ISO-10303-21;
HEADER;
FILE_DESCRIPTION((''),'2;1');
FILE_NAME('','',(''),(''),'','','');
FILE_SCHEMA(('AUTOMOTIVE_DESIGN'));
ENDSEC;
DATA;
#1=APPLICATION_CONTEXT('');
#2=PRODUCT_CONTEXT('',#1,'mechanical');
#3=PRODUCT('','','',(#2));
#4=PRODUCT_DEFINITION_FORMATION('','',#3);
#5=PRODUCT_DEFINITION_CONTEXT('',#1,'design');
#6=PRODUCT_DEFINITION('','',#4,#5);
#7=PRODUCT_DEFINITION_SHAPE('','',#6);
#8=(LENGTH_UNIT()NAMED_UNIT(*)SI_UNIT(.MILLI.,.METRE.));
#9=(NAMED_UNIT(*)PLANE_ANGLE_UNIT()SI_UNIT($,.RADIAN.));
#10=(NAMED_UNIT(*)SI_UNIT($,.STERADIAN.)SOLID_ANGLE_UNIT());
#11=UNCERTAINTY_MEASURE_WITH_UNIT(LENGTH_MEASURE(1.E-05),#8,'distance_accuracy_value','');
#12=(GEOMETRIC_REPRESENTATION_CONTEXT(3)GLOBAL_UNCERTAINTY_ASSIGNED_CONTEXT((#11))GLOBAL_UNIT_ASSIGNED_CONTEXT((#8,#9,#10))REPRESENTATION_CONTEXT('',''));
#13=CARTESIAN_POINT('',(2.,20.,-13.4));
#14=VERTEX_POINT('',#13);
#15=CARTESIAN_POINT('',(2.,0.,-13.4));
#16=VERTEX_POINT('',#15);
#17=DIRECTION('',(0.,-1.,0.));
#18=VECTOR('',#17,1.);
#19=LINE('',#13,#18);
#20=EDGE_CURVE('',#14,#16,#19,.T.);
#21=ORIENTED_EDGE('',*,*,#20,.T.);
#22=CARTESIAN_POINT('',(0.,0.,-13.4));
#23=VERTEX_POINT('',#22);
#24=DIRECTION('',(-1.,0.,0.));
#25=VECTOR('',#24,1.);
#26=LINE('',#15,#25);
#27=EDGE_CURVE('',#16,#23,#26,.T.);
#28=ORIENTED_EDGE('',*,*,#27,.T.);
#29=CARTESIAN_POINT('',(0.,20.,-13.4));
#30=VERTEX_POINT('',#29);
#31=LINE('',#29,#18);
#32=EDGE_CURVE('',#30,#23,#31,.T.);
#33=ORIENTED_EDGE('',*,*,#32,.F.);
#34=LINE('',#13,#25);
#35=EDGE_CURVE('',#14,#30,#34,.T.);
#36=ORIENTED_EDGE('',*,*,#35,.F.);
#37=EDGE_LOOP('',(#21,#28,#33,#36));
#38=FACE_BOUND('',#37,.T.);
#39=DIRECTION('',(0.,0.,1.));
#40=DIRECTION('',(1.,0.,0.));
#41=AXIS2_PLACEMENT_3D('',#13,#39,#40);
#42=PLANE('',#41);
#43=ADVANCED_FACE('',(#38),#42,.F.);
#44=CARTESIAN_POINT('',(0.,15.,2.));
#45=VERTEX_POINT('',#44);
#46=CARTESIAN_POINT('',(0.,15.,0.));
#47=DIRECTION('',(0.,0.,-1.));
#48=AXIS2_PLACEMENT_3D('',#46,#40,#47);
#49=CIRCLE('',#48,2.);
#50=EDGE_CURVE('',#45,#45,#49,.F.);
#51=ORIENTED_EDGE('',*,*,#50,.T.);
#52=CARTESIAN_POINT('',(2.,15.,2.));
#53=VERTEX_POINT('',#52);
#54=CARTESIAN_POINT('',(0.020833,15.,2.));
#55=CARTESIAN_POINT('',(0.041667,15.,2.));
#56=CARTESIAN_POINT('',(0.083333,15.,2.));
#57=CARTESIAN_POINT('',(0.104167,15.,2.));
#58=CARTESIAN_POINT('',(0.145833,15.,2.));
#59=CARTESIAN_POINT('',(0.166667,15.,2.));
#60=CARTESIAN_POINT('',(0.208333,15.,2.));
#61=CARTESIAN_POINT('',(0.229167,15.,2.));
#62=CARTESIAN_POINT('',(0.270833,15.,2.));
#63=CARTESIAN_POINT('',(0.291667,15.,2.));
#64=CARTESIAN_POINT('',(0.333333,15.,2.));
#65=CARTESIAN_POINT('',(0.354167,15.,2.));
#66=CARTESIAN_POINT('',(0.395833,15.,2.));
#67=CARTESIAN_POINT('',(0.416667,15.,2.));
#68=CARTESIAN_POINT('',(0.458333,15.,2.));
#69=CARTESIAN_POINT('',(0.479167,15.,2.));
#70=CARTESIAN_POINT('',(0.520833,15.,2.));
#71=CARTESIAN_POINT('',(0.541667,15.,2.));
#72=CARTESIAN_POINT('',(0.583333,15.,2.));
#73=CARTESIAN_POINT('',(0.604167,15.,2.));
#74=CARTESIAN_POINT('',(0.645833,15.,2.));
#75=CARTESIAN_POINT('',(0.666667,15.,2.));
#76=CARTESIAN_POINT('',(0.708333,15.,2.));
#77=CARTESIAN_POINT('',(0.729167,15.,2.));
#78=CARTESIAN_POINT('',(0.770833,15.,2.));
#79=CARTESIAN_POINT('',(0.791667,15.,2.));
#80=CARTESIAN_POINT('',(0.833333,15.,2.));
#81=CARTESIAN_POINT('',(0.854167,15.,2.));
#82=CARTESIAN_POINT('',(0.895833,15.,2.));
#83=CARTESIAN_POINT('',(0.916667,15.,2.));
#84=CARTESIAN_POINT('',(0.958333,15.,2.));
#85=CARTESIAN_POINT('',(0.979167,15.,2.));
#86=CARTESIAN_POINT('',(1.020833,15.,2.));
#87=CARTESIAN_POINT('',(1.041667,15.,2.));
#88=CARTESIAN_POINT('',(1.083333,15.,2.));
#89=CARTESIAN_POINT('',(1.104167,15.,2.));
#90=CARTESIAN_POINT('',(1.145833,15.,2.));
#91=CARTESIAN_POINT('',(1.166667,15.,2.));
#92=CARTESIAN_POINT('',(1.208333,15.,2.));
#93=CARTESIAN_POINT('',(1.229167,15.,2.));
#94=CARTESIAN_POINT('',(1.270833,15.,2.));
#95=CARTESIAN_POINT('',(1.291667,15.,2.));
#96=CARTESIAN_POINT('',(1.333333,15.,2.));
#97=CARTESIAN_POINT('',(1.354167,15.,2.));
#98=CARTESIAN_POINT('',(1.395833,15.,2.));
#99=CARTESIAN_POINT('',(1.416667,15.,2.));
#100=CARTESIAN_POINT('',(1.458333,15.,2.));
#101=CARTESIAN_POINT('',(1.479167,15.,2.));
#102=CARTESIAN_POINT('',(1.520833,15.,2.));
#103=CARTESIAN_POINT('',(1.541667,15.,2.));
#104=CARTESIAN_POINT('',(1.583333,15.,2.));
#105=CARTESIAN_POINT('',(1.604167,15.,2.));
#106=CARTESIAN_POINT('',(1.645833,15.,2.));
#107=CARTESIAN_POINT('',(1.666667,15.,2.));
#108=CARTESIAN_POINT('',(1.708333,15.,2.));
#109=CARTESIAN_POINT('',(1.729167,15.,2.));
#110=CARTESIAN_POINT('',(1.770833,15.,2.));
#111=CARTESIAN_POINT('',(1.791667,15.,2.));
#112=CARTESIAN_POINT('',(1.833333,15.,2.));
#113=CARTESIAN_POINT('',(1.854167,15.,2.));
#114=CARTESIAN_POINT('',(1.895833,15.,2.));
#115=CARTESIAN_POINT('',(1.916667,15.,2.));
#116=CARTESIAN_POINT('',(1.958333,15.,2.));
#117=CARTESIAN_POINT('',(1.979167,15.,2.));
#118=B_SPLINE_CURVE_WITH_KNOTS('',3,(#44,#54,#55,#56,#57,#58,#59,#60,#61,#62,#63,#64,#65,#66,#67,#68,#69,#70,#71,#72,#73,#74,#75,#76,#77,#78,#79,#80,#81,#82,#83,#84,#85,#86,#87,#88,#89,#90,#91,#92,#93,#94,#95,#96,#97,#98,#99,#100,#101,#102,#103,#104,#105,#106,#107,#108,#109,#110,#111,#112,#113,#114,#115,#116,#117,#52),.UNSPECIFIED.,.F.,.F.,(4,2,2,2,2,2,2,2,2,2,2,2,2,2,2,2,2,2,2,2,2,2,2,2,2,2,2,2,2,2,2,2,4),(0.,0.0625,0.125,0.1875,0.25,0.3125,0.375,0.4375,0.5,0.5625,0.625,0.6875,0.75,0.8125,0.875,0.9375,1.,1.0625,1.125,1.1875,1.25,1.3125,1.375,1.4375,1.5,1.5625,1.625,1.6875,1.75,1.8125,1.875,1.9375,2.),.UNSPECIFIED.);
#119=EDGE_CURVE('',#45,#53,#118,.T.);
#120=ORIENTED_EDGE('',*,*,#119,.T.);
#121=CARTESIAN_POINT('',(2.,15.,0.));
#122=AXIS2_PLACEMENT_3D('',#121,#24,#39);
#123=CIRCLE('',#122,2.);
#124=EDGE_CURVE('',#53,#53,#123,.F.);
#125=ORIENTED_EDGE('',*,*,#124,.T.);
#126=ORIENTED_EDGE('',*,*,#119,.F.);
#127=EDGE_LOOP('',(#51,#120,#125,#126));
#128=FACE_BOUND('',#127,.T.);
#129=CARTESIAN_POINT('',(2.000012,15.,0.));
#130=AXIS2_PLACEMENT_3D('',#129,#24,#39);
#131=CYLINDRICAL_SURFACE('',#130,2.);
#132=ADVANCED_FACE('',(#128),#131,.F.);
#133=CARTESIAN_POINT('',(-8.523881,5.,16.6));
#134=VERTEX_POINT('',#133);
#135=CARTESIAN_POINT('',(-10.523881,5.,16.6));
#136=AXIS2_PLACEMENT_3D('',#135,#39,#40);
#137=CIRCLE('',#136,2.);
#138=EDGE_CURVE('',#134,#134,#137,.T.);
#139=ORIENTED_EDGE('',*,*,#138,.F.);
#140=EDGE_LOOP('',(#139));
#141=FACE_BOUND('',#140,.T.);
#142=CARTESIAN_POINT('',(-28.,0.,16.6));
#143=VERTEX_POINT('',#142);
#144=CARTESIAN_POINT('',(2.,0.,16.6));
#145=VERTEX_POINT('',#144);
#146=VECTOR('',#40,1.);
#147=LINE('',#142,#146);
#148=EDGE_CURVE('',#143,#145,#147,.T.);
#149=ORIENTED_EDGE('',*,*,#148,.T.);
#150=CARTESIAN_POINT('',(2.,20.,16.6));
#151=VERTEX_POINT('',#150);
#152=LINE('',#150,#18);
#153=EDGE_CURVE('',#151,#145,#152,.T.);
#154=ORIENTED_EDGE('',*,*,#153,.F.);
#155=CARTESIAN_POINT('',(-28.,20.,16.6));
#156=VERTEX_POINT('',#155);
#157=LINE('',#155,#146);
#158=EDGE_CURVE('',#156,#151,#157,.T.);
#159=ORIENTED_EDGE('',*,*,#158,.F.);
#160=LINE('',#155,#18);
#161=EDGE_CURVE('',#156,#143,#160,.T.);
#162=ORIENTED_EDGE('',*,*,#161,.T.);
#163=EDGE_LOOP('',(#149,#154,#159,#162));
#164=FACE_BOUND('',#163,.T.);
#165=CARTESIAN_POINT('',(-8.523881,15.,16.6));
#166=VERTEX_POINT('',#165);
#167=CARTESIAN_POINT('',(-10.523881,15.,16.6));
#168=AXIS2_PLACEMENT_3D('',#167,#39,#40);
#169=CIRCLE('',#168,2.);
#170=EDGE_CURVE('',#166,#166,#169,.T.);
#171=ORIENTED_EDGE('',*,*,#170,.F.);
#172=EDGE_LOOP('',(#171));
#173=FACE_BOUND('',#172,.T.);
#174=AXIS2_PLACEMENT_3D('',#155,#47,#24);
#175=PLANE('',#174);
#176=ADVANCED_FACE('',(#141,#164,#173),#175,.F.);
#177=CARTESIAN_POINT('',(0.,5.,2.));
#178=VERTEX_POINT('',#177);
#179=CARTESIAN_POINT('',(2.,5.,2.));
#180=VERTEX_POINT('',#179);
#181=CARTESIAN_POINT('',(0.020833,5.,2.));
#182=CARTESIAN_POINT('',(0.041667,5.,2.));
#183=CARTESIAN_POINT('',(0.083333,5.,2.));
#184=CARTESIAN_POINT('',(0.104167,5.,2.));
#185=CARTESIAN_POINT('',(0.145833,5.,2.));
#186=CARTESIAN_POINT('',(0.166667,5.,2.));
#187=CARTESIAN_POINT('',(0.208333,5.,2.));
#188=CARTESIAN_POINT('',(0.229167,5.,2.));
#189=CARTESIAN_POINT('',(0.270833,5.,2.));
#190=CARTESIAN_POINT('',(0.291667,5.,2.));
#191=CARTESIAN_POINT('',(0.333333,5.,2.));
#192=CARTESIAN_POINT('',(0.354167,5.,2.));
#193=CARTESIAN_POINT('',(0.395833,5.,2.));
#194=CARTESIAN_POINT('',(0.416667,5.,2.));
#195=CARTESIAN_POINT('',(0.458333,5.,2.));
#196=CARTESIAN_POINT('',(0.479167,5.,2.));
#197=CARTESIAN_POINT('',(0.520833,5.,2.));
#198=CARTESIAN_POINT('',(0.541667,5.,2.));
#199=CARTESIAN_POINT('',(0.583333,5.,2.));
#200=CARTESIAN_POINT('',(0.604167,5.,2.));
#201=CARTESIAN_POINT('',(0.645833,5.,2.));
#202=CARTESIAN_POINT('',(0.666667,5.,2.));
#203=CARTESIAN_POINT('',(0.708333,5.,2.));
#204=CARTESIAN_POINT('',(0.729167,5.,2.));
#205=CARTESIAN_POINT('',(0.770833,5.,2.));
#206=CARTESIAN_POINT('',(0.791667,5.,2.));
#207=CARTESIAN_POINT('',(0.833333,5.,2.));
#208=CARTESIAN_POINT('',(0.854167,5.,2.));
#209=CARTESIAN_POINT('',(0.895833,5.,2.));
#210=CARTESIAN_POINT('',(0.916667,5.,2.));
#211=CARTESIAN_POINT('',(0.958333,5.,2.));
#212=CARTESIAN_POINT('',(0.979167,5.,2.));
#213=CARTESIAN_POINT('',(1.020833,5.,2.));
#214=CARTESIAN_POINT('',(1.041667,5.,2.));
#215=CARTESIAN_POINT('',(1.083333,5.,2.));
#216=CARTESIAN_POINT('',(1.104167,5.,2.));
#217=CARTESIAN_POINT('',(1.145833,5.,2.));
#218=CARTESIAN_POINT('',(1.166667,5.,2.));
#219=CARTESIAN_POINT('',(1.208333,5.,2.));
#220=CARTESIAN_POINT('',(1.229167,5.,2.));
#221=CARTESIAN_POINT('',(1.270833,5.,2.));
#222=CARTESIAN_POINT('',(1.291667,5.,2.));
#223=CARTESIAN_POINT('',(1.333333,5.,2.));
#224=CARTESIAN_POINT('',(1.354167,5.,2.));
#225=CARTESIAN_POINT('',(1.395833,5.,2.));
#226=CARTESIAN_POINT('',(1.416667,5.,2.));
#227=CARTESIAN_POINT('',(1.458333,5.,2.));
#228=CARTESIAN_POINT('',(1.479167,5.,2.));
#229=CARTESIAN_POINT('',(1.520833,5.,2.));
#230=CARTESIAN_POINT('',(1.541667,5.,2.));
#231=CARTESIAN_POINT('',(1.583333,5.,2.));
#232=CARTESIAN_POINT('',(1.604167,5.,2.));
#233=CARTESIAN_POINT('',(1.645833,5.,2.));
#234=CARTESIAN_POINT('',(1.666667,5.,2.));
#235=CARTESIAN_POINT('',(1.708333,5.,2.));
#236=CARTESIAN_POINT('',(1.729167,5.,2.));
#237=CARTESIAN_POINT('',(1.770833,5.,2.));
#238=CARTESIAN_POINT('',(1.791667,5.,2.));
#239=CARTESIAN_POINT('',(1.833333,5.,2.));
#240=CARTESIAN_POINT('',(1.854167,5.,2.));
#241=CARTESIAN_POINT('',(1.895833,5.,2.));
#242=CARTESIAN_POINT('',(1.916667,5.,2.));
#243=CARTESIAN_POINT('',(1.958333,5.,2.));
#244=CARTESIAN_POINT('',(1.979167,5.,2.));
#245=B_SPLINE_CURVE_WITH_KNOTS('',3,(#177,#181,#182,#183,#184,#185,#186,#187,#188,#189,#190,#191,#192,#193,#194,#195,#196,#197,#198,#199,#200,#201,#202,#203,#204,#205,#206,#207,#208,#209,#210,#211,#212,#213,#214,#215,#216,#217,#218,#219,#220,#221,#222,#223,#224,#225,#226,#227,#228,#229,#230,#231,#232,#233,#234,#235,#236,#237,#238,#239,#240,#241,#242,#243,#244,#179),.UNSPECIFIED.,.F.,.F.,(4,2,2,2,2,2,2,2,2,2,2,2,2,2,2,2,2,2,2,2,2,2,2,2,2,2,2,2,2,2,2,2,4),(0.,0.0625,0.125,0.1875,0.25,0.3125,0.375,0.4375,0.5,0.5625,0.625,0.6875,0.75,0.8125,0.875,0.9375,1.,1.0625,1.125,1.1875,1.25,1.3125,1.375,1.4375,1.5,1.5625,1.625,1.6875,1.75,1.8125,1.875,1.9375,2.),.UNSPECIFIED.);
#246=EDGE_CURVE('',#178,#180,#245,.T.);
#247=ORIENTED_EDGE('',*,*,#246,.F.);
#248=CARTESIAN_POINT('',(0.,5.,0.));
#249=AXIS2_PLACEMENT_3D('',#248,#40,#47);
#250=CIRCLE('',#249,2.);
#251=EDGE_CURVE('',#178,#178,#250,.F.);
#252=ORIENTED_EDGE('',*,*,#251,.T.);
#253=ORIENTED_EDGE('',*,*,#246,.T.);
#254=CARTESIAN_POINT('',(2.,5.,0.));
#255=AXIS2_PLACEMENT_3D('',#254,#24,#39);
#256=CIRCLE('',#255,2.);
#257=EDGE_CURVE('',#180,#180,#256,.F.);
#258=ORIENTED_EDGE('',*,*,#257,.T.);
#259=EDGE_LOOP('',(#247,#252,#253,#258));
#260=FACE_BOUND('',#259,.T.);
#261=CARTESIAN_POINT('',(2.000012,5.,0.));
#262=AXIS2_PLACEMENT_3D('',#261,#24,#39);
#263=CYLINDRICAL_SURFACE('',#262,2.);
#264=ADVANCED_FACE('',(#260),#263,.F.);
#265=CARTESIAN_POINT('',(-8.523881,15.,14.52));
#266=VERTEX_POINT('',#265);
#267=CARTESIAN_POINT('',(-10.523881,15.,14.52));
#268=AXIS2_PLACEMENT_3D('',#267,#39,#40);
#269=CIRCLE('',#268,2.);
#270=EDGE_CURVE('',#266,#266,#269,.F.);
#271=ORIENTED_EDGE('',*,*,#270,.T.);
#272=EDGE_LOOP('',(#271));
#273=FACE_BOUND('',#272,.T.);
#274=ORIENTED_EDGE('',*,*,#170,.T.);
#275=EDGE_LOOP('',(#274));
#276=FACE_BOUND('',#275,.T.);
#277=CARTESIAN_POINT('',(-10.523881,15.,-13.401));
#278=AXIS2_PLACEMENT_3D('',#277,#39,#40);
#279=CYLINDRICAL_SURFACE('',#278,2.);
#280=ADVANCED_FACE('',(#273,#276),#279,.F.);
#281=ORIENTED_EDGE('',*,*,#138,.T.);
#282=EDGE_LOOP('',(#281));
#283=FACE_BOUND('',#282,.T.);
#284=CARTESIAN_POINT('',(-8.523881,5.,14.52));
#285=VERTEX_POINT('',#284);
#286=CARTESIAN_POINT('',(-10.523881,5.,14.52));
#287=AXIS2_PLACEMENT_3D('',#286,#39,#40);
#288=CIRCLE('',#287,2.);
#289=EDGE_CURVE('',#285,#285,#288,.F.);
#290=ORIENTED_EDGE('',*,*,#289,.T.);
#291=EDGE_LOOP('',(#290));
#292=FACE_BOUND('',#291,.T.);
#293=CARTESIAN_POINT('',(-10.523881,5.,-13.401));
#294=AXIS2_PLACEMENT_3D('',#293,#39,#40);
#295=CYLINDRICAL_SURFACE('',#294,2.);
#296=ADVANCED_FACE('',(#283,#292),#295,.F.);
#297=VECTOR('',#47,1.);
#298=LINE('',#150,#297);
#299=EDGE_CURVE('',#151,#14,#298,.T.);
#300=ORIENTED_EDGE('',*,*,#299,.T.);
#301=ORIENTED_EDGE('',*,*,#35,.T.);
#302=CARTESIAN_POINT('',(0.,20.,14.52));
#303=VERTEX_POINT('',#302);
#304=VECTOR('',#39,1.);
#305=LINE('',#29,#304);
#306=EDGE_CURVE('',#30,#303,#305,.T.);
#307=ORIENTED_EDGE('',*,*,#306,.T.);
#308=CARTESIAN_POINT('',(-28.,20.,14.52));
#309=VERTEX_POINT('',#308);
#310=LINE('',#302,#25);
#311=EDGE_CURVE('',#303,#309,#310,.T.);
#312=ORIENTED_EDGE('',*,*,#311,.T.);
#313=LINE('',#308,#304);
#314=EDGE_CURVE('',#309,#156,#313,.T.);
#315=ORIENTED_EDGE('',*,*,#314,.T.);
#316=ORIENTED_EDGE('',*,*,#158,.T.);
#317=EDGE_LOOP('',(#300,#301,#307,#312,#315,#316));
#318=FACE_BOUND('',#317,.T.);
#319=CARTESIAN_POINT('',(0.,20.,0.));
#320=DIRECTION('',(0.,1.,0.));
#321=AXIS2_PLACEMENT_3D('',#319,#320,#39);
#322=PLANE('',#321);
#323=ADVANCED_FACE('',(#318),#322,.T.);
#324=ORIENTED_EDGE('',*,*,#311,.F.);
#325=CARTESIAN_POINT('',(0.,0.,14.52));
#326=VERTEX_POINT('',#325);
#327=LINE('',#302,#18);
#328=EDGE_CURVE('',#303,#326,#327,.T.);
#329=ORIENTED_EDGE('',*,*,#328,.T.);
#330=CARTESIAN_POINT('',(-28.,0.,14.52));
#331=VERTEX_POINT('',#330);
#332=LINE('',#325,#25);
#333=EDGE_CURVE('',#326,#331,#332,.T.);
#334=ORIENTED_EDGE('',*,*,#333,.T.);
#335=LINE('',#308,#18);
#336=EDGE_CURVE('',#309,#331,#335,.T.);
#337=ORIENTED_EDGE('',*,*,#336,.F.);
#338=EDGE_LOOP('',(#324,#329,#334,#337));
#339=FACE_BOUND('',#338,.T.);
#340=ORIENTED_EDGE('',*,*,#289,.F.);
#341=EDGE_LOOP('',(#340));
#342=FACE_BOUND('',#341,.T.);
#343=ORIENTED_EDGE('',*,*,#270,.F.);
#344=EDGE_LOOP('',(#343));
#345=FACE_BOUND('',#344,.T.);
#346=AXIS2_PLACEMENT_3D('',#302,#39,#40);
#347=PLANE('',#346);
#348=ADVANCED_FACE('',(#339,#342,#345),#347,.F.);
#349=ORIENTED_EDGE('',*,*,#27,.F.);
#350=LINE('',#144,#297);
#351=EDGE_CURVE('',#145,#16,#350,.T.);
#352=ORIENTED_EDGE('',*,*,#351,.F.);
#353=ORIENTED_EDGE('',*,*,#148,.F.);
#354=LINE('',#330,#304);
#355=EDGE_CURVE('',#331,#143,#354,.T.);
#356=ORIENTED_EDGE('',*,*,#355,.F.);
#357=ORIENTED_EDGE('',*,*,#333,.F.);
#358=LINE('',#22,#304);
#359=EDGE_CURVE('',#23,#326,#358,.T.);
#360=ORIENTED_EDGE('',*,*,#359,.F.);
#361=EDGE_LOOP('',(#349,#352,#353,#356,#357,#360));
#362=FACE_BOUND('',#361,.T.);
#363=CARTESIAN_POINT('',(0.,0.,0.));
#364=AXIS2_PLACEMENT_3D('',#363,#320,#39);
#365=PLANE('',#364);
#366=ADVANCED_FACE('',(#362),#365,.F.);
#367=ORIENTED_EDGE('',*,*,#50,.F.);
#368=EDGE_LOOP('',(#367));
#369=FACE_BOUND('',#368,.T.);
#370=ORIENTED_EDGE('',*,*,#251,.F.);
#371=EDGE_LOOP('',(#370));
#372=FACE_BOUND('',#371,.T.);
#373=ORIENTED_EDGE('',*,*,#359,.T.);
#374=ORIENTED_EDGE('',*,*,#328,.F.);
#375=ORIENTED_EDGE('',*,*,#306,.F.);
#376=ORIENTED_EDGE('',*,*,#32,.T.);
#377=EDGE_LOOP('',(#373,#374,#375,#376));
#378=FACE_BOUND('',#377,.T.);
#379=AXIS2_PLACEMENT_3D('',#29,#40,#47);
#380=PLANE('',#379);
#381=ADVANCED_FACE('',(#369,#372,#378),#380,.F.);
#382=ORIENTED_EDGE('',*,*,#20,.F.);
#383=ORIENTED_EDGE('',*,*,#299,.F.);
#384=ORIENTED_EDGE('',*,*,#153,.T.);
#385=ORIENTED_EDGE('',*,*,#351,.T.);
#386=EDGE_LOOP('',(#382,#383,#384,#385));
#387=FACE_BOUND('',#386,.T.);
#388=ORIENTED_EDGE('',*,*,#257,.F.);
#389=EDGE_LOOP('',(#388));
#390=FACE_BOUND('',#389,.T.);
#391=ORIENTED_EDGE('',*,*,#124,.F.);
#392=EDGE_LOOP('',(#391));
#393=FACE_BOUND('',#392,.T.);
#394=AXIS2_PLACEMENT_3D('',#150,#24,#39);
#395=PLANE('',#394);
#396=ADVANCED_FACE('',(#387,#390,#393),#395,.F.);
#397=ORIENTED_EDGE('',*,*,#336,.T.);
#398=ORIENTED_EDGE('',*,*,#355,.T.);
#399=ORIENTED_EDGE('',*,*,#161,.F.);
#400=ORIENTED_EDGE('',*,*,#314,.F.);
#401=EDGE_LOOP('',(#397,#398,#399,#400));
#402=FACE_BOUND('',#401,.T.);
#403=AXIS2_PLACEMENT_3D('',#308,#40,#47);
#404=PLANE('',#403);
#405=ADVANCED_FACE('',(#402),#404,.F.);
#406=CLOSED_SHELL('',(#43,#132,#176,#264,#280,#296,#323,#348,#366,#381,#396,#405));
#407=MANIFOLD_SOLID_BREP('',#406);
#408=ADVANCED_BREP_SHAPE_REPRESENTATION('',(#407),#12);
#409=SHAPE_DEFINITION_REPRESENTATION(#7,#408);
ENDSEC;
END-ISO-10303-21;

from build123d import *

# Parameters (mm, degrees)
BOSS_EXTRUDE1_DEPTH            = 20
CUT_EXTRUDE4_REACH             = 41.693
SKETCH2_R                      = 2
CUT_EXTRUDE4_DIRECTION_2_DEPTH = 40.693324376
CUT_EXTRUDE5_REACH             = 47.651
SKETCH3_R                      = 2


with BuildPart() as part:
    # Sketch1 → Boss-Extrude1 (new body)
    with BuildSketch(Plane(origin=(0, 0, 0), x_dir=(1, 0, 0), z_dir=(0, 1, 0))):
        Polygon((0, 13.4), (0, -14.52), (-28, -14.52), (-28, -16.6), (2, -16.6), (2, 13.4), align=None)
    extrude(amount=BOSS_EXTRUDE1_DEPTH)

    # Sketch2 → Cut-Extrude4 (cut, up to next)
    with BuildSketch(Plane(origin=(2, 0, 0), x_dir=(0, 0, -1), z_dir=(1, 0, 0)), mode=Mode.PRIVATE) as cut_extrude4_sk1:
        with Locations(Location((0, 15, 0), (0, 0, 180))):
            Circle(SKETCH2_R)
    cut_extrude4_tool1 = extrude(cut_extrude4_sk1.sketch, amount=-CUT_EXTRUDE4_REACH, mode=Mode.PRIVATE) & part.part
    # Sketch2 → Cut-Extrude4 (cut, up to next)
    with BuildSketch(Plane(origin=(2, 0, 0), x_dir=(0, 0, -1), z_dir=(1, 0, 0)), mode=Mode.PRIVATE) as cut_extrude4_sk2:
        with Locations(Location((0, 5, 0), (0, 0, 180))):
            Circle(SKETCH2_R)
    cut_extrude4_tool2 = extrude(cut_extrude4_sk2.sketch, amount=-CUT_EXTRUDE4_REACH, mode=Mode.PRIVATE) & part.part
    add(cut_extrude4_tool1.solids().sort_by_distance((2, 15, 0))[0], mode=Mode.SUBTRACT)
    add(cut_extrude4_tool2.solids().sort_by_distance((2, 5, 0))[0], mode=Mode.SUBTRACT)

    # Sketch2 → Cut-Extrude4 direction 2 (cut)
    with BuildSketch(Plane(origin=(2, 0, 0), x_dir=(0, 0, -1), z_dir=(1, 0, 0))):
        with Locations(Location((0, 15, 0), (0, 0, 180))):
            Circle(SKETCH2_R)
        with Locations(Location((0, 5, 0), (0, 0, 180))):
            Circle(SKETCH2_R)
    extrude(amount=CUT_EXTRUDE4_DIRECTION_2_DEPTH, mode=Mode.SUBTRACT)

    # Sketch3 → Cut-Extrude5 (cut, up to next)
    with BuildSketch(Plane.XY.offset(16.6), mode=Mode.PRIVATE) as cut_extrude5_sk1:
        with Locations((-10.523881442, 15)):
            Circle(SKETCH3_R)
    cut_extrude5_tool1 = extrude(cut_extrude5_sk1.sketch, amount=-CUT_EXTRUDE5_REACH, mode=Mode.PRIVATE) & part.part
    # Sketch3 → Cut-Extrude5 (cut, up to next)
    with BuildSketch(Plane.XY.offset(16.6), mode=Mode.PRIVATE) as cut_extrude5_sk2:
        with Locations((-10.523881442, 5)):
            Circle(SKETCH3_R)
    cut_extrude5_tool2 = extrude(cut_extrude5_sk2.sketch, amount=-CUT_EXTRUDE5_REACH, mode=Mode.PRIVATE) & part.part
    add(cut_extrude5_tool1.solids().sort_by_distance((-10.523881, 15, 16.6))[0], mode=Mode.SUBTRACT)
    add(cut_extrude5_tool2.solids().sort_by_distance((-10.523881, 5, 16.6))[0], mode=Mode.SUBTRACT)


solid = part.part
